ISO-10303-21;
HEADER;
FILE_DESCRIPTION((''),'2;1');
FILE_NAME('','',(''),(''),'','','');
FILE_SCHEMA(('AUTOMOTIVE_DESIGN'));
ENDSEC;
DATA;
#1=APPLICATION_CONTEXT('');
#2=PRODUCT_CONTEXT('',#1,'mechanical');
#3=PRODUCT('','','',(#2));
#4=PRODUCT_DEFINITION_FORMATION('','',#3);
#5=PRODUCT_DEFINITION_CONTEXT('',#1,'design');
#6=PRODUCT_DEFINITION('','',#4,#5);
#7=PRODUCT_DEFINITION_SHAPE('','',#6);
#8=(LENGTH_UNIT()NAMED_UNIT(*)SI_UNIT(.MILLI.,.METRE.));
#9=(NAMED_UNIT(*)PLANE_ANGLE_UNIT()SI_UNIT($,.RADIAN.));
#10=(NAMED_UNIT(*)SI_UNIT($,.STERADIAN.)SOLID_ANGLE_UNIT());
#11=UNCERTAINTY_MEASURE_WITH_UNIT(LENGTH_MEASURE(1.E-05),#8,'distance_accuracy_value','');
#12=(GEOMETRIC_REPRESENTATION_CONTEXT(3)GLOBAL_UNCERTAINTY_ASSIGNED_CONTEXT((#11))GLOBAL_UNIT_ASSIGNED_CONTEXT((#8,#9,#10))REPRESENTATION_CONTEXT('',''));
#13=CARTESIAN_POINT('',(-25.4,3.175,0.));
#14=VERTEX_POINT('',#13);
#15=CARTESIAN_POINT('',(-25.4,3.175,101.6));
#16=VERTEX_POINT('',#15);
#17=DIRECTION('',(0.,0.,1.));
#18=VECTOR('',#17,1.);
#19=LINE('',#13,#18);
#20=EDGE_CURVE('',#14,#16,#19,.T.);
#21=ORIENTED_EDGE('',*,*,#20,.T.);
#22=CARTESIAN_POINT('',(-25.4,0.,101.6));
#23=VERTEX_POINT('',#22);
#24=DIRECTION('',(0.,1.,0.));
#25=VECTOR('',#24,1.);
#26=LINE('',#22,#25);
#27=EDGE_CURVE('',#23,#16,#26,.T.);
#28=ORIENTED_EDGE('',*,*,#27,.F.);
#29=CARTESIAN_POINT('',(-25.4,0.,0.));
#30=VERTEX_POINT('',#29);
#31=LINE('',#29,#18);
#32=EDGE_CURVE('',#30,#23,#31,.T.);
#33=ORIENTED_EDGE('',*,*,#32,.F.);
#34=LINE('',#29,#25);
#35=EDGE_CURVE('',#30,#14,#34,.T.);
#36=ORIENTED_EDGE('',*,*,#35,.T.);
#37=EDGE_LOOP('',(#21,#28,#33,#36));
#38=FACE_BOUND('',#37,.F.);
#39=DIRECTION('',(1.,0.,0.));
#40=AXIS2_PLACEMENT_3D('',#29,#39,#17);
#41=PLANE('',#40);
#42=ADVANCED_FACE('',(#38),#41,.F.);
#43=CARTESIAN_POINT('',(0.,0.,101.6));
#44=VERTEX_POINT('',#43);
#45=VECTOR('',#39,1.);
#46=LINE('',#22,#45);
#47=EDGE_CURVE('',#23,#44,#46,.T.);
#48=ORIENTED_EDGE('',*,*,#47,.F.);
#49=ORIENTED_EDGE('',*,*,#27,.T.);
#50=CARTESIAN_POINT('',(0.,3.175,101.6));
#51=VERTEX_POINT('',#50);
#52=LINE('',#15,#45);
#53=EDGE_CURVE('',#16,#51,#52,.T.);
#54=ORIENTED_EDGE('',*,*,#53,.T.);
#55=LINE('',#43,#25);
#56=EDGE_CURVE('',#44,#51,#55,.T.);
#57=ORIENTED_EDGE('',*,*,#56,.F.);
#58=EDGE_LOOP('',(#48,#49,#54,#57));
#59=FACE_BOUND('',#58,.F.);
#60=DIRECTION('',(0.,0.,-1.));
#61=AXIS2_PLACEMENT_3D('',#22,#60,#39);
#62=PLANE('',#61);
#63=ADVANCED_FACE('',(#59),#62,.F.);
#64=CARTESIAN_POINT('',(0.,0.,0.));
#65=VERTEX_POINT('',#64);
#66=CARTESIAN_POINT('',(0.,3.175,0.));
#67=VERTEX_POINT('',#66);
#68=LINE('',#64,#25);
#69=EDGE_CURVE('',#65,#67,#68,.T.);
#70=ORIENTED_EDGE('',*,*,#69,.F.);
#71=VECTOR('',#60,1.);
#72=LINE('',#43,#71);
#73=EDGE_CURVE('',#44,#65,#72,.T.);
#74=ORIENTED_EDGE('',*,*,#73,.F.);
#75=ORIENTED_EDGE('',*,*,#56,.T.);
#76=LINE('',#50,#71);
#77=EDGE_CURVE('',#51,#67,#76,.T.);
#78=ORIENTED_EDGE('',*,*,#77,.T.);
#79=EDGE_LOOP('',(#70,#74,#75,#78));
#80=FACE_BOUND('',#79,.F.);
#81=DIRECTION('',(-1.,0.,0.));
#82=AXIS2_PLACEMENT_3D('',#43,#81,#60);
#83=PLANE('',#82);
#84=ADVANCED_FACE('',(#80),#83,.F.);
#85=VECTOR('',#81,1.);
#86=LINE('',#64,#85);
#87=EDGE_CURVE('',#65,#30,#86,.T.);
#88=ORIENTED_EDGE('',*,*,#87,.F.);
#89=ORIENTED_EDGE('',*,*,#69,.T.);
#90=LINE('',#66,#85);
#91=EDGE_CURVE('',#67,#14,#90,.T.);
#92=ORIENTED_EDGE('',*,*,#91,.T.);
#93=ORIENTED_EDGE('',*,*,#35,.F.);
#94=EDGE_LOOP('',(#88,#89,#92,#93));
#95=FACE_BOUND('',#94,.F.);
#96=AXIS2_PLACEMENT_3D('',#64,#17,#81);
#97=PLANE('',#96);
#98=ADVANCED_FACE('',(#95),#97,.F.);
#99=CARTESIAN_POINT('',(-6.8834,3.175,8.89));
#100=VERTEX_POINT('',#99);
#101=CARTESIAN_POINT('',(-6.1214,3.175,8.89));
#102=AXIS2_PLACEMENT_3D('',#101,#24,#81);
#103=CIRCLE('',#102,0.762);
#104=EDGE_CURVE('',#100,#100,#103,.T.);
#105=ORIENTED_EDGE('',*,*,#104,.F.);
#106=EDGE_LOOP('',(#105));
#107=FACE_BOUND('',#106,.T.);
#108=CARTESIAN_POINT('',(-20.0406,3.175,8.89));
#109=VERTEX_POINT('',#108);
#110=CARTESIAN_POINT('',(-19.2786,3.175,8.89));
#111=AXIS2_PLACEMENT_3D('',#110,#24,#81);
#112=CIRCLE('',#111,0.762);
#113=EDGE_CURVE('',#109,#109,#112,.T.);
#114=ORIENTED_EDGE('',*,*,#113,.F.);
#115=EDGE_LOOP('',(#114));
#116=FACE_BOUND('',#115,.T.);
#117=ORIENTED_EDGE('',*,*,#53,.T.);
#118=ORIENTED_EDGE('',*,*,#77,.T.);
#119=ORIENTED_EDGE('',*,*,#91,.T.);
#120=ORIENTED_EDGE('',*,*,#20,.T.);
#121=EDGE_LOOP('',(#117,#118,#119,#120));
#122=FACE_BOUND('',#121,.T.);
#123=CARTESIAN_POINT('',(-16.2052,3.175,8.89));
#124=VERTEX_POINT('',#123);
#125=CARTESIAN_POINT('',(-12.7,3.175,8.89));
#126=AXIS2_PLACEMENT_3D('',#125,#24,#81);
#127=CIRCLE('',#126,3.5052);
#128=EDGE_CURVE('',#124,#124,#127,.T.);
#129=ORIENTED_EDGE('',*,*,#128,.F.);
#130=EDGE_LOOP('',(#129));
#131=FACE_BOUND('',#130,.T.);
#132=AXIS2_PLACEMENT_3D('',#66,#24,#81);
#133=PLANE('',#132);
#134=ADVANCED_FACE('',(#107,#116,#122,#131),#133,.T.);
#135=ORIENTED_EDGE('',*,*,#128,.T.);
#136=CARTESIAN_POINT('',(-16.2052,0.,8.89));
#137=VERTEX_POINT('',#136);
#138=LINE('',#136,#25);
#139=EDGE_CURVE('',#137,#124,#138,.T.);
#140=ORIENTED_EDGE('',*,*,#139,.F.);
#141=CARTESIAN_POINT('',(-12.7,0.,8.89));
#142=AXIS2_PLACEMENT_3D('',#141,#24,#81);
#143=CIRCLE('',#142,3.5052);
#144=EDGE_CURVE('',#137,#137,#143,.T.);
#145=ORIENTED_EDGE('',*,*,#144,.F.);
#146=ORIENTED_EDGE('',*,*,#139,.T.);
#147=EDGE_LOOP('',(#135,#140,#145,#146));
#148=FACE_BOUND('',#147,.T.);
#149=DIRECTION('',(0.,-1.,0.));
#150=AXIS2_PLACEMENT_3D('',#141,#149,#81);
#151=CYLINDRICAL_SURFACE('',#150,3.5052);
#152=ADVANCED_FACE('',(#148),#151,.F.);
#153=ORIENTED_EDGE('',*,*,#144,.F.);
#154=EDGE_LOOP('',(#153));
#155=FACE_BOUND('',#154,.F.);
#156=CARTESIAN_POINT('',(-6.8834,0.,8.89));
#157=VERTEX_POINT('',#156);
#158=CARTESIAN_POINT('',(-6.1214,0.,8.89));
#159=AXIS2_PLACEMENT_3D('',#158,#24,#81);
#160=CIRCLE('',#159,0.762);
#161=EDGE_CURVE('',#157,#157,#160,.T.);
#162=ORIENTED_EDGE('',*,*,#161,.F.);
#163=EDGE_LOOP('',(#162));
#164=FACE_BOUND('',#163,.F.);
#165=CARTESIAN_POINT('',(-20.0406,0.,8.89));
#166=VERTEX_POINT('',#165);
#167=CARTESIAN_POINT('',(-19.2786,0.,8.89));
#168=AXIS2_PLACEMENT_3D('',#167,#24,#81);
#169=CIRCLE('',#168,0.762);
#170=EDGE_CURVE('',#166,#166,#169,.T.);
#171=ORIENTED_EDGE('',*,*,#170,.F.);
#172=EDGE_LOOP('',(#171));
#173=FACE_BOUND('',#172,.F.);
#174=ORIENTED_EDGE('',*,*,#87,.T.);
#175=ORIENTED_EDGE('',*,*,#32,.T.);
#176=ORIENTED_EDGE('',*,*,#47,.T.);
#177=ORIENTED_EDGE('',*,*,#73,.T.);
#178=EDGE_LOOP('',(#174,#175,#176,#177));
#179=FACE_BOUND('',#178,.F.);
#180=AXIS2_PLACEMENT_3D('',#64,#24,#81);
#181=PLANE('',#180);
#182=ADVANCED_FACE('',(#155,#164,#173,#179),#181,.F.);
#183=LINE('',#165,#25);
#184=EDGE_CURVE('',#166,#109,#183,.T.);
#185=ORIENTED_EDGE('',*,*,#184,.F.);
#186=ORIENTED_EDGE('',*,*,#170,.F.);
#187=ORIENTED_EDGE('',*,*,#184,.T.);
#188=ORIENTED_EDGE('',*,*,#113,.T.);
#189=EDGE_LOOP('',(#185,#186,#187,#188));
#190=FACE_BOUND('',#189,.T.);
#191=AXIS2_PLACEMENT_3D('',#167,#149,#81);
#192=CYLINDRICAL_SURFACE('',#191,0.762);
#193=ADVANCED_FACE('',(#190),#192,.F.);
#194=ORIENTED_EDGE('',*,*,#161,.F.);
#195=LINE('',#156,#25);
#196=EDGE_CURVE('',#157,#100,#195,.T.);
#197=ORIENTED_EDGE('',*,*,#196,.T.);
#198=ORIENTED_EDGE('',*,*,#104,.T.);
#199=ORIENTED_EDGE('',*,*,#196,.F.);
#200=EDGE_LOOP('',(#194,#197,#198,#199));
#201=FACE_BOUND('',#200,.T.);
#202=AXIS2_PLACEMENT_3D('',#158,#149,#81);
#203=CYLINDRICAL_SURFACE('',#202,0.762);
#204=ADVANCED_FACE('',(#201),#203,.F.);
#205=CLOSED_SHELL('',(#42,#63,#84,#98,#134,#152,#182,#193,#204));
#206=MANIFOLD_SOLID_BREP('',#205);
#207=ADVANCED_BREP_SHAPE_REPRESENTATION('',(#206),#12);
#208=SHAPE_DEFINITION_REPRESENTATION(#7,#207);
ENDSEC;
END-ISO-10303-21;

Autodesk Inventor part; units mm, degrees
ref_plane "YZ Plane" through (0, 0, 0) normal (1, 0, 0) x (0, 1, 0)
ref_plane "XZ Plane" through (0, 0, 0) normal (0, 1, 0) x (-1, 0, 0)
ref_plane "XY Plane" through (0, 0, 0) normal (0, 0, 1) x (1, 0, 0)
sketch "Sketch2" plane through (0, 0, 0) normal (0, 1, 0) x (-1, 0, 0)
  line L0 (0, 0) -> (25.4, 0)
  line L1 (25.4, 0) -> (25.4, 101.6)
  line L2 (25.4, 101.6) -> (0, 101.6)
  line L3 (0, 101.6) -> (0, 0)
  circle A0 centre (12.7, 8.89) radius 3.5052
  circle A1 centre (6.1214, 8.89) radius 0.762
  circle A2 centre (19.2786, 8.89) radius 0.762
  dimension "d23" = 25.4
  dimension "d24" = 101.6
  dimension "d25" = 7.0104
  dimension "d26" = 8.89
  dimension "d27" = 12.7
  dimension "d28" = 1.524
  dimension "d29" = 1.524
  dimension "d30" = 13.1572
  dimension "d31" = 6.5786
  dimension "d32" = 8.89
  dimension "d33" = 8.89
extrude "Extrusion2" add sketch "Sketch2" along normal blind 3.175
equation "\"d23\" = d34"
equation "\"d24\" = d35"
equation "\"d25\" = d36"
equation "\"d26\" = d37"
equation "\"d27\" = 0.5 * d34"
equation "\"d28\" = d38"
equation "\"d29\" = d38"
equation "\"d30\" = d39"
equation "\"d31\" = 0.5 * d39"
equation "\"d32\" = d37"
equation "\"d33\" = d37"
equation "\"d40\" = thick"
equation "\"thick\" = 3.175"
equation "\"hornCenter\" = 7.0104"
equation "\"hornDia\" = 13.1572"
equation "\"hornOffset\" = 8.89"
equation "\"hornHole\" = 1.778"
equation "\"servoWidth\" = 12"
equation "\"servoDist\" = 35"
equation "\"servoHole\" = 2.1082"
equation "\"servoOff\" = 8.89"
equation "\"armWidth\" = 25.4"
equation "\"armLength\" = 101.6"
equation "\"d34\" = 25.4"
equation "\"d35\" = 101.6"
equation "\"d36\" = 7.0104"
equation "\"d37\" = 8.89"
equation "\"d38\" = 1.524"
equation "\"d39\" = 13.1572"
properties part number "LowerArm"
